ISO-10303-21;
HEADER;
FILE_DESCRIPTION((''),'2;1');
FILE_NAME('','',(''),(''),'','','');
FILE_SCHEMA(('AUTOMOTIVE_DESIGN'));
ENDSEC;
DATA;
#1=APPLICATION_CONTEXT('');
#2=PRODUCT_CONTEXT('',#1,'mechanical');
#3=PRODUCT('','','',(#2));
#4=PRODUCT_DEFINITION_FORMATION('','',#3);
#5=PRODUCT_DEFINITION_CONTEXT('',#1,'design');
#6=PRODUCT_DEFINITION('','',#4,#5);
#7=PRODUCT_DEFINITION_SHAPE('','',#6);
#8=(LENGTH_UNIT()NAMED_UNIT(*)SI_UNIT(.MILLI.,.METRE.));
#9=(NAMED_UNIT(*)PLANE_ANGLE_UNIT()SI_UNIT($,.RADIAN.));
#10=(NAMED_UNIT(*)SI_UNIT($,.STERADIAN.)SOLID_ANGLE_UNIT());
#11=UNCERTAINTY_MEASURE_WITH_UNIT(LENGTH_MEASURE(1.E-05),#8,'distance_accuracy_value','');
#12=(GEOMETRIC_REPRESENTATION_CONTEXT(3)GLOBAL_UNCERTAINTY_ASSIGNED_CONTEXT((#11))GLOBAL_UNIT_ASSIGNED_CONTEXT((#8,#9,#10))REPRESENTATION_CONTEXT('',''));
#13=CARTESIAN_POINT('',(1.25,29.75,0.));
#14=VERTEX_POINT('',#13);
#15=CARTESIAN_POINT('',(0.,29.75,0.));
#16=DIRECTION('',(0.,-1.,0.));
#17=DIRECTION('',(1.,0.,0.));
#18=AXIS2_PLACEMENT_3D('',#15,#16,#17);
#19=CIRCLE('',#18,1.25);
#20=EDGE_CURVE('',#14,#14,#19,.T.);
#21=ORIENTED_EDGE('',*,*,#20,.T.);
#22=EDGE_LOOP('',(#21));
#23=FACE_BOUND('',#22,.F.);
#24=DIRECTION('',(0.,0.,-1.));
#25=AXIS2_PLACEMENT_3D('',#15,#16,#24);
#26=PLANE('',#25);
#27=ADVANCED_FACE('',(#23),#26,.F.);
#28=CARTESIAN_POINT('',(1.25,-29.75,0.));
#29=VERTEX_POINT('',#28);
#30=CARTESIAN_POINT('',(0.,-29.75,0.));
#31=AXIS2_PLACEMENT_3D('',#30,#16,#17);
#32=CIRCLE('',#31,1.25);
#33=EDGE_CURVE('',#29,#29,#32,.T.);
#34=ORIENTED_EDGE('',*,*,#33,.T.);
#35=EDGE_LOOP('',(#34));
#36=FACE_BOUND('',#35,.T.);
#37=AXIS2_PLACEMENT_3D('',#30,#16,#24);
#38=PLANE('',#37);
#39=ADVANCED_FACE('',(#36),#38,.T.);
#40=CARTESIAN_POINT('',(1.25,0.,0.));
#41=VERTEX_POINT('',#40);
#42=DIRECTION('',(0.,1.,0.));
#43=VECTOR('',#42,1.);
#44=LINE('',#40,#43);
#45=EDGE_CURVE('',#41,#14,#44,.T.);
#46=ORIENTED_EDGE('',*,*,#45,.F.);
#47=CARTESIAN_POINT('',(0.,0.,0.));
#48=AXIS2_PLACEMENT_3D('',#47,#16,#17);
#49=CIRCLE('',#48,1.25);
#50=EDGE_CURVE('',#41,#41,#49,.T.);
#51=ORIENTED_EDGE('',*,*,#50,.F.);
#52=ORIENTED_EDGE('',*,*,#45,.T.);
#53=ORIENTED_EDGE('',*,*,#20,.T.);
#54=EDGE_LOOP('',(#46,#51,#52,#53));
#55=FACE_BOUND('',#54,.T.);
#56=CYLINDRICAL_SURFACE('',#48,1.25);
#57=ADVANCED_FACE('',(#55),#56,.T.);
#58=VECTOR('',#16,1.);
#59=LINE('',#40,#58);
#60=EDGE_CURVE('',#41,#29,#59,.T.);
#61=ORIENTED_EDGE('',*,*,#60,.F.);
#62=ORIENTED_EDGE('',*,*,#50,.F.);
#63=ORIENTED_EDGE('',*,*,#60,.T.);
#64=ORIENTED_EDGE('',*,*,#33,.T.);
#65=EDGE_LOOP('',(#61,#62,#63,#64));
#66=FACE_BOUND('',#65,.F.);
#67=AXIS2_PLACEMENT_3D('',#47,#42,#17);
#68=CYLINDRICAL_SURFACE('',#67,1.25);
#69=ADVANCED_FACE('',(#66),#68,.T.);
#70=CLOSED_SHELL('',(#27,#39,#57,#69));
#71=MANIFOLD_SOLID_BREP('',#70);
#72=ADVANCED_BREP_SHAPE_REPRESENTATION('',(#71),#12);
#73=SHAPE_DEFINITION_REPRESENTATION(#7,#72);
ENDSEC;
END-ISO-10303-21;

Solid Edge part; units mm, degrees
sketch "Sketch1" plane through (0, 0, 0) normal (0, -1, 0) x (1, 0, 0)
  circle A0 centre (0, 0) radius 1.25
extrude "Protrusion1" add sketch "Sketch1" along normal mid plane 59.5
properties material "Galvanized steel"
